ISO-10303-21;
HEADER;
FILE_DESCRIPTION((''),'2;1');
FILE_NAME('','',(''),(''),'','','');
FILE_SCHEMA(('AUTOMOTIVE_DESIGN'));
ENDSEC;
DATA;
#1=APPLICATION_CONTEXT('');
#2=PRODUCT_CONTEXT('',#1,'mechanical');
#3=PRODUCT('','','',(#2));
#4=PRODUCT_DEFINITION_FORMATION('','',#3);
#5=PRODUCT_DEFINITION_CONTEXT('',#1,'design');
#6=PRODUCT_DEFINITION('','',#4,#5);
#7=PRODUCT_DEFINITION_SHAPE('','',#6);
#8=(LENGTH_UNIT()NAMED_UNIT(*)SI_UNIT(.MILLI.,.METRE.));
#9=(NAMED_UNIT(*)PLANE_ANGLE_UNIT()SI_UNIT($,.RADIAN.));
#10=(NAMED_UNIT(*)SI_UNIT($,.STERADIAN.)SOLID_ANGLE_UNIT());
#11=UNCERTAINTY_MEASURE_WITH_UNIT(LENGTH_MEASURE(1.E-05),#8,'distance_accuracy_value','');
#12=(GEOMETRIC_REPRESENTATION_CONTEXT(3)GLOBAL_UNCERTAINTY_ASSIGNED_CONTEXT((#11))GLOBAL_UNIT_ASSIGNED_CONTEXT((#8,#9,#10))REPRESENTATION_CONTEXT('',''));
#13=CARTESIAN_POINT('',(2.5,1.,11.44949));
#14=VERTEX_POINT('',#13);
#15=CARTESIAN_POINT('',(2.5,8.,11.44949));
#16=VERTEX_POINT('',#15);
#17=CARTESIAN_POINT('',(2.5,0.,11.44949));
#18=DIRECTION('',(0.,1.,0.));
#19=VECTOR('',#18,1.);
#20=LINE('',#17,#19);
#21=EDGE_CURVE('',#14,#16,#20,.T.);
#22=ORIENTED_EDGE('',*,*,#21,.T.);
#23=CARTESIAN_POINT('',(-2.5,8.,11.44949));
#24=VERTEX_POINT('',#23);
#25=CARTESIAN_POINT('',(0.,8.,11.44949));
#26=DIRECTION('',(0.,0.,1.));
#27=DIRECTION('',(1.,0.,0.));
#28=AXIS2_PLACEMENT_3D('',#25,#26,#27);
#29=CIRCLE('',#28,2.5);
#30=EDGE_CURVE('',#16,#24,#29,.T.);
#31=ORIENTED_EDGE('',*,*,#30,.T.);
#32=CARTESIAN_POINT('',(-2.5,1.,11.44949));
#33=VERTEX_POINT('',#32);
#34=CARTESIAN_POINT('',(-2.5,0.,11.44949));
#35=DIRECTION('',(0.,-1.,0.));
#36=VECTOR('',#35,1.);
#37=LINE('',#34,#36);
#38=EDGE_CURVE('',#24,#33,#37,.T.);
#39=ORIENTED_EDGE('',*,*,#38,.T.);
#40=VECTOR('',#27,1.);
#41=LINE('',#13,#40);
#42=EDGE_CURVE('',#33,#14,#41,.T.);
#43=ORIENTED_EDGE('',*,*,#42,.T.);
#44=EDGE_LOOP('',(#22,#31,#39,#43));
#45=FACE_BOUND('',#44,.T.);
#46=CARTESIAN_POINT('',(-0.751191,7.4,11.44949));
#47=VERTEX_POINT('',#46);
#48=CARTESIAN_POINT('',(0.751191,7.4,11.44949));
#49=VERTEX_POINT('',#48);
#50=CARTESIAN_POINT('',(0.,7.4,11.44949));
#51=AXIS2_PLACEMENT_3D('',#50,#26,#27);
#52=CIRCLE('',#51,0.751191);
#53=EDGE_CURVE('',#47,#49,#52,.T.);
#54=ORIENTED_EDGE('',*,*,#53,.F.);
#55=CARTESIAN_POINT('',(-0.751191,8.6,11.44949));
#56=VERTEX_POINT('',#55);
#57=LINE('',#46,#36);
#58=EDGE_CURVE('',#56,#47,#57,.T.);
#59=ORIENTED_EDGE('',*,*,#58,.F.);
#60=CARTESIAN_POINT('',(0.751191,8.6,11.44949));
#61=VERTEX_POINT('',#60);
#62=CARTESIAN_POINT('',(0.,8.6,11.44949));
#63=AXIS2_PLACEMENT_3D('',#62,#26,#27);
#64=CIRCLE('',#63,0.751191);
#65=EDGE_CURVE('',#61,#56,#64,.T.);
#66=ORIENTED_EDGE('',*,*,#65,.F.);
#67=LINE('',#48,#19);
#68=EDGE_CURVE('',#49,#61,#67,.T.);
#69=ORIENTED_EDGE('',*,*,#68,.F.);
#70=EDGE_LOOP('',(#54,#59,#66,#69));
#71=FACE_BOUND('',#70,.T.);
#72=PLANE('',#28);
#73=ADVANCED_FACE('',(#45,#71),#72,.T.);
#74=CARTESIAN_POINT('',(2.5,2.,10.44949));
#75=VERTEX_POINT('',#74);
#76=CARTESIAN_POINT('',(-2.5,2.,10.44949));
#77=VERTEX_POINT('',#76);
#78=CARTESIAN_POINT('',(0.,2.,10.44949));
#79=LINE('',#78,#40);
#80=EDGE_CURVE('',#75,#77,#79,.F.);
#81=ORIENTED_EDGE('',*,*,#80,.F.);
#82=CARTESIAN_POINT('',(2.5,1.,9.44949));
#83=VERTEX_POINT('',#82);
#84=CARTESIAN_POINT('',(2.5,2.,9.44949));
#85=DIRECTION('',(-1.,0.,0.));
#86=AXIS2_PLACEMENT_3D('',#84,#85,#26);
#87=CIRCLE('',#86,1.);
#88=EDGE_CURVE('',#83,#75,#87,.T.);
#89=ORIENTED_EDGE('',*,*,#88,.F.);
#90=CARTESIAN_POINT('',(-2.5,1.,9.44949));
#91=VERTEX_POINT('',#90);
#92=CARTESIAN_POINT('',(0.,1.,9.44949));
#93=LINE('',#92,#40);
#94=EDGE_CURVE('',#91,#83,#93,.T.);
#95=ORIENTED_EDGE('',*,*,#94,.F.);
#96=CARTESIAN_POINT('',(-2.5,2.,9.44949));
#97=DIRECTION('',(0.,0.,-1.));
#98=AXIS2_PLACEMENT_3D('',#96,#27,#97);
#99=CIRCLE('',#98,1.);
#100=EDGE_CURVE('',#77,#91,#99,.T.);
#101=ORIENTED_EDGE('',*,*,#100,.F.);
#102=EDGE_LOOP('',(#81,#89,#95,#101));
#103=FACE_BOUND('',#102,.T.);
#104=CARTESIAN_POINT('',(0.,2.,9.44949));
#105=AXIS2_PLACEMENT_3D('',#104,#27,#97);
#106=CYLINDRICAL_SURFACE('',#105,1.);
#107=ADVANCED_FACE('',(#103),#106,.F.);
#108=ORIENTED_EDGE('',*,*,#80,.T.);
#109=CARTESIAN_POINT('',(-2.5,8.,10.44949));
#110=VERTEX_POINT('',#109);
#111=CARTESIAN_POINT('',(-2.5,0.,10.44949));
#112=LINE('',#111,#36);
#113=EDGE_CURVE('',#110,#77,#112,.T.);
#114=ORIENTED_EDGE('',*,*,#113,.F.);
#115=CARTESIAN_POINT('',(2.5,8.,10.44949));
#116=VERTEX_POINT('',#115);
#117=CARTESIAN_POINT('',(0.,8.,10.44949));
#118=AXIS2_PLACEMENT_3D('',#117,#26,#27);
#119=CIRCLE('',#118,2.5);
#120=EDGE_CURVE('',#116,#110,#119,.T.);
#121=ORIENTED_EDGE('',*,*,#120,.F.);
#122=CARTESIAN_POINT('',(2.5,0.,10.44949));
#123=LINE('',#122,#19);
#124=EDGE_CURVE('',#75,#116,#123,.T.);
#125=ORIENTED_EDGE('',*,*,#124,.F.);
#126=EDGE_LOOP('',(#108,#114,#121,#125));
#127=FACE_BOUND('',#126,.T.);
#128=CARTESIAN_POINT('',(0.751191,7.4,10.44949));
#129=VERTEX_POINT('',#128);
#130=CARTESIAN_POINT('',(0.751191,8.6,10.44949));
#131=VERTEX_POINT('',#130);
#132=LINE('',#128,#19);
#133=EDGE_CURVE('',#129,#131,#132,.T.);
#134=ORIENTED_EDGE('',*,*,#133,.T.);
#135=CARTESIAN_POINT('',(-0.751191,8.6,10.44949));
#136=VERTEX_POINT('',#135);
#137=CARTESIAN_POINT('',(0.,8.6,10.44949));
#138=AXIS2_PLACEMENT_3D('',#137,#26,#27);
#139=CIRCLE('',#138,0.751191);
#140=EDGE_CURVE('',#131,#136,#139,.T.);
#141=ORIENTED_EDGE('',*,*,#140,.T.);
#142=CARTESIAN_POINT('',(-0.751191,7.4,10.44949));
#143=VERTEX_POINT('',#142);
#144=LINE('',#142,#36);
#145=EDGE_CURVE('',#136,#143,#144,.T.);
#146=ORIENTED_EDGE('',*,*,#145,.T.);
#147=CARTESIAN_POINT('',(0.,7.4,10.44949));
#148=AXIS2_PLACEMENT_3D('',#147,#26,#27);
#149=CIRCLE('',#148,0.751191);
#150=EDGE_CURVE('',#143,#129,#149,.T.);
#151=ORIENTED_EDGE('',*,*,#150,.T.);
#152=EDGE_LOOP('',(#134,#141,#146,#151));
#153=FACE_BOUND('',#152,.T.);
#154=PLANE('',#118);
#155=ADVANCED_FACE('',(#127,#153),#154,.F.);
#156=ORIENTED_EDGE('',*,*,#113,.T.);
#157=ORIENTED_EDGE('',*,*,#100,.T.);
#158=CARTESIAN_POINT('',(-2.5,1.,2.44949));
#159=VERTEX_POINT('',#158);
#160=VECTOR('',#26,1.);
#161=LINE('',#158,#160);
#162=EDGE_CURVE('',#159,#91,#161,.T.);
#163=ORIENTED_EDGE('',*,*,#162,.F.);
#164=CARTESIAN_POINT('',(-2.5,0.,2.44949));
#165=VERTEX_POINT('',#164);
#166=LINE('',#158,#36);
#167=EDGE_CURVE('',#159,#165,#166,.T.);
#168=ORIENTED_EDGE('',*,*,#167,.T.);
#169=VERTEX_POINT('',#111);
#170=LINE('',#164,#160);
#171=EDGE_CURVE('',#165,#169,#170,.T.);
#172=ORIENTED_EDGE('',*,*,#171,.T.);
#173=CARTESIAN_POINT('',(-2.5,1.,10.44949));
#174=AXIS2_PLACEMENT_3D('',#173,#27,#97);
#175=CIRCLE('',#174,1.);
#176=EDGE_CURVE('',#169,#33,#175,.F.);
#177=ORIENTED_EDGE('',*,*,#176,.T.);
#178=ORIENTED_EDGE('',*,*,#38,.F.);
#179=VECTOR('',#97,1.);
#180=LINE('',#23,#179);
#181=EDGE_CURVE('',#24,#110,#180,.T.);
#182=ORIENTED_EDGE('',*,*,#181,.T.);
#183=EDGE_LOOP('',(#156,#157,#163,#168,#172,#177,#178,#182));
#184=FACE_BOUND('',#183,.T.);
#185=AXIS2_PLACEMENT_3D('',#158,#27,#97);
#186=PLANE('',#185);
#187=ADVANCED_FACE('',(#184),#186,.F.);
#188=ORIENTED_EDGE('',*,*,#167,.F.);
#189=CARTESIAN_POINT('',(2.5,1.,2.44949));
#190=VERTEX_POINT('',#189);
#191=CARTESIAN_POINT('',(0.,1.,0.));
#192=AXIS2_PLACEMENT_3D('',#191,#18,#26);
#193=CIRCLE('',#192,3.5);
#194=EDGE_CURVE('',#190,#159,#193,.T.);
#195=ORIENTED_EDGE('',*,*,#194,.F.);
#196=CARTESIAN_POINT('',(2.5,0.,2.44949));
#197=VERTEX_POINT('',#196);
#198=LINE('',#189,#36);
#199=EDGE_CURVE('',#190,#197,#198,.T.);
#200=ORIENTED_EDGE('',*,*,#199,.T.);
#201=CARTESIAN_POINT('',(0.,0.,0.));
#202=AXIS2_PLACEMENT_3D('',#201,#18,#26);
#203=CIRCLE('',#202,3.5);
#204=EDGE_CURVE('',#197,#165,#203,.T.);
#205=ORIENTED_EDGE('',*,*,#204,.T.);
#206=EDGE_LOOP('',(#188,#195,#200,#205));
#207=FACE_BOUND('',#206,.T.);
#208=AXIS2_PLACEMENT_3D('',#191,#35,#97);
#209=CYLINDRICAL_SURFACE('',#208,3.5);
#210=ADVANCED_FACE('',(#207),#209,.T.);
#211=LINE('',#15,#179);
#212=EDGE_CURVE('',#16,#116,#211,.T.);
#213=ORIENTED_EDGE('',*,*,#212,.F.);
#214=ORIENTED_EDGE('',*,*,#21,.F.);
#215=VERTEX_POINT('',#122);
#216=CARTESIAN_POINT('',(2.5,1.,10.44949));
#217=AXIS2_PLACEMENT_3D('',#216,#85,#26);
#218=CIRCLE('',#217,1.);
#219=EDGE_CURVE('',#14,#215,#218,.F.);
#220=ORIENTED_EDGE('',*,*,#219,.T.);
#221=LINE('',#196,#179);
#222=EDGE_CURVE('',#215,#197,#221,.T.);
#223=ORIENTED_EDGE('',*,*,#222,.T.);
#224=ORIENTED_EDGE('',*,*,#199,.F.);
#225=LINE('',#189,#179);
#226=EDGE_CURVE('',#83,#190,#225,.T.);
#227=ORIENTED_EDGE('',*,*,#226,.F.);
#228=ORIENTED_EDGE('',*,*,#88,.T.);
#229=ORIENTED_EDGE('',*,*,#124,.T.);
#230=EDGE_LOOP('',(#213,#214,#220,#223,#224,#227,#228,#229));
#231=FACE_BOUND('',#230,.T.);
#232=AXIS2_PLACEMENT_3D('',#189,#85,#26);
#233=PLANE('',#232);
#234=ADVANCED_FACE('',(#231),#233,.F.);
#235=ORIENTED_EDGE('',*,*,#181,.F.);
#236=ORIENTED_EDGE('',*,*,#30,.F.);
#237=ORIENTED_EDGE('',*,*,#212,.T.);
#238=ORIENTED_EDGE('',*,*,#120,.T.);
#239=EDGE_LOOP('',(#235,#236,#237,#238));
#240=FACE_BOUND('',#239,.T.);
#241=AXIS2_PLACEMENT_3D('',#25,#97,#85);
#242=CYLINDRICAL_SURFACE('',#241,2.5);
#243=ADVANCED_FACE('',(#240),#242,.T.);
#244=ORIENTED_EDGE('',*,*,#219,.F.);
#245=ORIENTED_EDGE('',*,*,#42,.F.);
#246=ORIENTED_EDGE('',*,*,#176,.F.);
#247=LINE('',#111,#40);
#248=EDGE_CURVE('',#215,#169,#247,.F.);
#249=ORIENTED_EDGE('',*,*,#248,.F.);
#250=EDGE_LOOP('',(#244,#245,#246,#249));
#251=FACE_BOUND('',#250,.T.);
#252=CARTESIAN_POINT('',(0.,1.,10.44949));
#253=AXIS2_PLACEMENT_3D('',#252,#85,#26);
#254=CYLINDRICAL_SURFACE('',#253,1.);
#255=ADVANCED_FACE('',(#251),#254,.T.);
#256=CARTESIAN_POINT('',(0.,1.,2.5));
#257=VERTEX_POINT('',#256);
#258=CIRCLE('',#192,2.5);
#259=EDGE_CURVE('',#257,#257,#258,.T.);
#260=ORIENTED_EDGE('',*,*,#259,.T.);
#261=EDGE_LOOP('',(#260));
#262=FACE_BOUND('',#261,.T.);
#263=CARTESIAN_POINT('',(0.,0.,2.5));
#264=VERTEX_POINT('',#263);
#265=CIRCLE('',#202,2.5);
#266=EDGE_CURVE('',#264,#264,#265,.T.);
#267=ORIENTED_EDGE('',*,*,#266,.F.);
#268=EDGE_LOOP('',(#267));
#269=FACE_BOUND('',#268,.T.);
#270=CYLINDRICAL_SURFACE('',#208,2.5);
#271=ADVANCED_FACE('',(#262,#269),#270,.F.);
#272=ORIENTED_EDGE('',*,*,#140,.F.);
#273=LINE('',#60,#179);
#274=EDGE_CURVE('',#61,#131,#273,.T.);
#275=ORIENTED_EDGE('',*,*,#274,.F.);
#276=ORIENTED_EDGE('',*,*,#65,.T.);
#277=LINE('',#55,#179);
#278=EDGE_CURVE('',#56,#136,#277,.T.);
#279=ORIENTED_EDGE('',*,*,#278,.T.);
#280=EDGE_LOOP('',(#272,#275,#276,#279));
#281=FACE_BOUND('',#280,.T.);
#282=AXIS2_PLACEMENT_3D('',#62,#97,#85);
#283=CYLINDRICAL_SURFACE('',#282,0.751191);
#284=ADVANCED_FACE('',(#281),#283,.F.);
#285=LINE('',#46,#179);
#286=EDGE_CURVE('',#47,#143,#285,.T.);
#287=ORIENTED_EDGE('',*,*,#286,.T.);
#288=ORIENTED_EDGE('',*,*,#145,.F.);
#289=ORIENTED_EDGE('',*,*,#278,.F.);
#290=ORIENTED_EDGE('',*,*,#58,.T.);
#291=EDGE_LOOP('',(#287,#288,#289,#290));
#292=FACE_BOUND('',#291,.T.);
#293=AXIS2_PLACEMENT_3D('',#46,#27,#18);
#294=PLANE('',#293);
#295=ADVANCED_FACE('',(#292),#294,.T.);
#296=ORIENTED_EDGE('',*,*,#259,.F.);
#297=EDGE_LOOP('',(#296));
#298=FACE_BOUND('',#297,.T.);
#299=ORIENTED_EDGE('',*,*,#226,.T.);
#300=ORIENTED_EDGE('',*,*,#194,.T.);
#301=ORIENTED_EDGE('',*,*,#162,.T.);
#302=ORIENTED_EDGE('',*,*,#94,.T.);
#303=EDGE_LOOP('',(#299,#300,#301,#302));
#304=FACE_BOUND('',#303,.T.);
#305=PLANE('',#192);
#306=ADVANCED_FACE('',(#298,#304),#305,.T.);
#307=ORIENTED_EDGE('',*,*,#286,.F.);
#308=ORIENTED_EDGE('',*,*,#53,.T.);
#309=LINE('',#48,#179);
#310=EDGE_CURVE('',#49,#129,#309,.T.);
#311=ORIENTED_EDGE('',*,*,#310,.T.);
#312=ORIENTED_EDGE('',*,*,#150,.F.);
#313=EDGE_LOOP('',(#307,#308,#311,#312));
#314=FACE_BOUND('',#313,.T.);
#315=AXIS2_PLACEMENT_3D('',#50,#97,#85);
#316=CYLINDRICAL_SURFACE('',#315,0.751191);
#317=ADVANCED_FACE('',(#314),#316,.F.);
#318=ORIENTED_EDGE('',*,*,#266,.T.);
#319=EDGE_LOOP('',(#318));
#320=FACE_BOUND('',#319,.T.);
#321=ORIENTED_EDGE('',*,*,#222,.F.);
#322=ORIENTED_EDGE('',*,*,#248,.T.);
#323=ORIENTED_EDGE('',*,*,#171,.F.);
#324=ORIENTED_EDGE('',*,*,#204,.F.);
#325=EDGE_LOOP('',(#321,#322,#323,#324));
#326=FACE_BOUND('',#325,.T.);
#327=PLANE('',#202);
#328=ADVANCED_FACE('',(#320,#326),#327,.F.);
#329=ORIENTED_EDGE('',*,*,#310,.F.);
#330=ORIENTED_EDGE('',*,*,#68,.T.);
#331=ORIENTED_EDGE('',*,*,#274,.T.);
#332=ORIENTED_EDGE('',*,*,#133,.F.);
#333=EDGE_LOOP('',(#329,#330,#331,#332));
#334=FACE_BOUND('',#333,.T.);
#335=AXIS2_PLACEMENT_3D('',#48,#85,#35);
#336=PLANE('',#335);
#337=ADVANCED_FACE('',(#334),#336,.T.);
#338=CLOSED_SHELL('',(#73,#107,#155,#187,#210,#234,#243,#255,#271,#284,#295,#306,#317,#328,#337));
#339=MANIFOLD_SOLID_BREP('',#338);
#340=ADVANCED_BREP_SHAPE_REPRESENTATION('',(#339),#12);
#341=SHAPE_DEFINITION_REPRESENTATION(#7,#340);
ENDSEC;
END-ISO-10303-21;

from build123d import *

# Parameters (mm, degrees)
SKETCH_1_R      = 2.5
EXTRUDE_2_DEPTH = 1
EXTRUDE_3_DEPTH = 1
FILLET_1_R      = 1


with BuildPart() as part:
    # Эскиз1 → Бобышка-Вытянуть2 (new body)
    with BuildSketch(Plane(origin=(0, 0, 0), x_dir=(1, 0, 0), z_dir=(0, 1, 0))):
        with BuildLine():
            Line((-2.5, -2.449489743), (-2.5, -10.449489743))
            Line((-2.5, -10.449489743), (2.5, -10.449489743))
            Line((2.5, -10.449489743), (2.5, -2.449489743))
            ThreePointArc((2.5, -2.449489743), (0, 3.5), (-2.5, -2.449489743))
        make_face()
        with Locations(Location((0, 0, 0), (0, 0, 270))):
            Circle(SKETCH_1_R, mode=Mode.SUBTRACT)
    extrude(amount=EXTRUDE_2_DEPTH)

    # Эскиз3 → Бобышка-Вытянуть3 (add)
    with BuildSketch(Plane.XY.offset(10.449489743)):
        with BuildLine():
            Line((2.5, 0), (-2.5, 0))
            Line((-2.5, 0), (-2.5, 8))
            ThreePointArc((-2.5, 8), (0, 10.5), (2.5, 8))
            Line((2.5, 8), (2.5, 0))
        make_face()
        with BuildLine():
            Line((-0.751190727, 7.4), (-0.751190727, 8.6))
            ThreePointArc((-0.751190727, 8.6), (0, 9.351190727), (0.751190727, 8.6))
            Line((0.751190727, 8.6), (0.751190727, 7.4))
            ThreePointArc((0.751190727, 7.4), (0, 6.648809273), (-0.751190727, 7.4))
        make_face(mode=Mode.SUBTRACT)
    extrude(amount=EXTRUDE_3_DEPTH)

    # Скругление1
    fillet_1_edges = [part.edges().sort_by_distance(p)[0] for p in [
        (0, 0, 11.449489743),
        (0, 1, 10.449489743),
    ]]
    fillet(fillet_1_edges, radius=FILLET_1_R)


solid = part.part
